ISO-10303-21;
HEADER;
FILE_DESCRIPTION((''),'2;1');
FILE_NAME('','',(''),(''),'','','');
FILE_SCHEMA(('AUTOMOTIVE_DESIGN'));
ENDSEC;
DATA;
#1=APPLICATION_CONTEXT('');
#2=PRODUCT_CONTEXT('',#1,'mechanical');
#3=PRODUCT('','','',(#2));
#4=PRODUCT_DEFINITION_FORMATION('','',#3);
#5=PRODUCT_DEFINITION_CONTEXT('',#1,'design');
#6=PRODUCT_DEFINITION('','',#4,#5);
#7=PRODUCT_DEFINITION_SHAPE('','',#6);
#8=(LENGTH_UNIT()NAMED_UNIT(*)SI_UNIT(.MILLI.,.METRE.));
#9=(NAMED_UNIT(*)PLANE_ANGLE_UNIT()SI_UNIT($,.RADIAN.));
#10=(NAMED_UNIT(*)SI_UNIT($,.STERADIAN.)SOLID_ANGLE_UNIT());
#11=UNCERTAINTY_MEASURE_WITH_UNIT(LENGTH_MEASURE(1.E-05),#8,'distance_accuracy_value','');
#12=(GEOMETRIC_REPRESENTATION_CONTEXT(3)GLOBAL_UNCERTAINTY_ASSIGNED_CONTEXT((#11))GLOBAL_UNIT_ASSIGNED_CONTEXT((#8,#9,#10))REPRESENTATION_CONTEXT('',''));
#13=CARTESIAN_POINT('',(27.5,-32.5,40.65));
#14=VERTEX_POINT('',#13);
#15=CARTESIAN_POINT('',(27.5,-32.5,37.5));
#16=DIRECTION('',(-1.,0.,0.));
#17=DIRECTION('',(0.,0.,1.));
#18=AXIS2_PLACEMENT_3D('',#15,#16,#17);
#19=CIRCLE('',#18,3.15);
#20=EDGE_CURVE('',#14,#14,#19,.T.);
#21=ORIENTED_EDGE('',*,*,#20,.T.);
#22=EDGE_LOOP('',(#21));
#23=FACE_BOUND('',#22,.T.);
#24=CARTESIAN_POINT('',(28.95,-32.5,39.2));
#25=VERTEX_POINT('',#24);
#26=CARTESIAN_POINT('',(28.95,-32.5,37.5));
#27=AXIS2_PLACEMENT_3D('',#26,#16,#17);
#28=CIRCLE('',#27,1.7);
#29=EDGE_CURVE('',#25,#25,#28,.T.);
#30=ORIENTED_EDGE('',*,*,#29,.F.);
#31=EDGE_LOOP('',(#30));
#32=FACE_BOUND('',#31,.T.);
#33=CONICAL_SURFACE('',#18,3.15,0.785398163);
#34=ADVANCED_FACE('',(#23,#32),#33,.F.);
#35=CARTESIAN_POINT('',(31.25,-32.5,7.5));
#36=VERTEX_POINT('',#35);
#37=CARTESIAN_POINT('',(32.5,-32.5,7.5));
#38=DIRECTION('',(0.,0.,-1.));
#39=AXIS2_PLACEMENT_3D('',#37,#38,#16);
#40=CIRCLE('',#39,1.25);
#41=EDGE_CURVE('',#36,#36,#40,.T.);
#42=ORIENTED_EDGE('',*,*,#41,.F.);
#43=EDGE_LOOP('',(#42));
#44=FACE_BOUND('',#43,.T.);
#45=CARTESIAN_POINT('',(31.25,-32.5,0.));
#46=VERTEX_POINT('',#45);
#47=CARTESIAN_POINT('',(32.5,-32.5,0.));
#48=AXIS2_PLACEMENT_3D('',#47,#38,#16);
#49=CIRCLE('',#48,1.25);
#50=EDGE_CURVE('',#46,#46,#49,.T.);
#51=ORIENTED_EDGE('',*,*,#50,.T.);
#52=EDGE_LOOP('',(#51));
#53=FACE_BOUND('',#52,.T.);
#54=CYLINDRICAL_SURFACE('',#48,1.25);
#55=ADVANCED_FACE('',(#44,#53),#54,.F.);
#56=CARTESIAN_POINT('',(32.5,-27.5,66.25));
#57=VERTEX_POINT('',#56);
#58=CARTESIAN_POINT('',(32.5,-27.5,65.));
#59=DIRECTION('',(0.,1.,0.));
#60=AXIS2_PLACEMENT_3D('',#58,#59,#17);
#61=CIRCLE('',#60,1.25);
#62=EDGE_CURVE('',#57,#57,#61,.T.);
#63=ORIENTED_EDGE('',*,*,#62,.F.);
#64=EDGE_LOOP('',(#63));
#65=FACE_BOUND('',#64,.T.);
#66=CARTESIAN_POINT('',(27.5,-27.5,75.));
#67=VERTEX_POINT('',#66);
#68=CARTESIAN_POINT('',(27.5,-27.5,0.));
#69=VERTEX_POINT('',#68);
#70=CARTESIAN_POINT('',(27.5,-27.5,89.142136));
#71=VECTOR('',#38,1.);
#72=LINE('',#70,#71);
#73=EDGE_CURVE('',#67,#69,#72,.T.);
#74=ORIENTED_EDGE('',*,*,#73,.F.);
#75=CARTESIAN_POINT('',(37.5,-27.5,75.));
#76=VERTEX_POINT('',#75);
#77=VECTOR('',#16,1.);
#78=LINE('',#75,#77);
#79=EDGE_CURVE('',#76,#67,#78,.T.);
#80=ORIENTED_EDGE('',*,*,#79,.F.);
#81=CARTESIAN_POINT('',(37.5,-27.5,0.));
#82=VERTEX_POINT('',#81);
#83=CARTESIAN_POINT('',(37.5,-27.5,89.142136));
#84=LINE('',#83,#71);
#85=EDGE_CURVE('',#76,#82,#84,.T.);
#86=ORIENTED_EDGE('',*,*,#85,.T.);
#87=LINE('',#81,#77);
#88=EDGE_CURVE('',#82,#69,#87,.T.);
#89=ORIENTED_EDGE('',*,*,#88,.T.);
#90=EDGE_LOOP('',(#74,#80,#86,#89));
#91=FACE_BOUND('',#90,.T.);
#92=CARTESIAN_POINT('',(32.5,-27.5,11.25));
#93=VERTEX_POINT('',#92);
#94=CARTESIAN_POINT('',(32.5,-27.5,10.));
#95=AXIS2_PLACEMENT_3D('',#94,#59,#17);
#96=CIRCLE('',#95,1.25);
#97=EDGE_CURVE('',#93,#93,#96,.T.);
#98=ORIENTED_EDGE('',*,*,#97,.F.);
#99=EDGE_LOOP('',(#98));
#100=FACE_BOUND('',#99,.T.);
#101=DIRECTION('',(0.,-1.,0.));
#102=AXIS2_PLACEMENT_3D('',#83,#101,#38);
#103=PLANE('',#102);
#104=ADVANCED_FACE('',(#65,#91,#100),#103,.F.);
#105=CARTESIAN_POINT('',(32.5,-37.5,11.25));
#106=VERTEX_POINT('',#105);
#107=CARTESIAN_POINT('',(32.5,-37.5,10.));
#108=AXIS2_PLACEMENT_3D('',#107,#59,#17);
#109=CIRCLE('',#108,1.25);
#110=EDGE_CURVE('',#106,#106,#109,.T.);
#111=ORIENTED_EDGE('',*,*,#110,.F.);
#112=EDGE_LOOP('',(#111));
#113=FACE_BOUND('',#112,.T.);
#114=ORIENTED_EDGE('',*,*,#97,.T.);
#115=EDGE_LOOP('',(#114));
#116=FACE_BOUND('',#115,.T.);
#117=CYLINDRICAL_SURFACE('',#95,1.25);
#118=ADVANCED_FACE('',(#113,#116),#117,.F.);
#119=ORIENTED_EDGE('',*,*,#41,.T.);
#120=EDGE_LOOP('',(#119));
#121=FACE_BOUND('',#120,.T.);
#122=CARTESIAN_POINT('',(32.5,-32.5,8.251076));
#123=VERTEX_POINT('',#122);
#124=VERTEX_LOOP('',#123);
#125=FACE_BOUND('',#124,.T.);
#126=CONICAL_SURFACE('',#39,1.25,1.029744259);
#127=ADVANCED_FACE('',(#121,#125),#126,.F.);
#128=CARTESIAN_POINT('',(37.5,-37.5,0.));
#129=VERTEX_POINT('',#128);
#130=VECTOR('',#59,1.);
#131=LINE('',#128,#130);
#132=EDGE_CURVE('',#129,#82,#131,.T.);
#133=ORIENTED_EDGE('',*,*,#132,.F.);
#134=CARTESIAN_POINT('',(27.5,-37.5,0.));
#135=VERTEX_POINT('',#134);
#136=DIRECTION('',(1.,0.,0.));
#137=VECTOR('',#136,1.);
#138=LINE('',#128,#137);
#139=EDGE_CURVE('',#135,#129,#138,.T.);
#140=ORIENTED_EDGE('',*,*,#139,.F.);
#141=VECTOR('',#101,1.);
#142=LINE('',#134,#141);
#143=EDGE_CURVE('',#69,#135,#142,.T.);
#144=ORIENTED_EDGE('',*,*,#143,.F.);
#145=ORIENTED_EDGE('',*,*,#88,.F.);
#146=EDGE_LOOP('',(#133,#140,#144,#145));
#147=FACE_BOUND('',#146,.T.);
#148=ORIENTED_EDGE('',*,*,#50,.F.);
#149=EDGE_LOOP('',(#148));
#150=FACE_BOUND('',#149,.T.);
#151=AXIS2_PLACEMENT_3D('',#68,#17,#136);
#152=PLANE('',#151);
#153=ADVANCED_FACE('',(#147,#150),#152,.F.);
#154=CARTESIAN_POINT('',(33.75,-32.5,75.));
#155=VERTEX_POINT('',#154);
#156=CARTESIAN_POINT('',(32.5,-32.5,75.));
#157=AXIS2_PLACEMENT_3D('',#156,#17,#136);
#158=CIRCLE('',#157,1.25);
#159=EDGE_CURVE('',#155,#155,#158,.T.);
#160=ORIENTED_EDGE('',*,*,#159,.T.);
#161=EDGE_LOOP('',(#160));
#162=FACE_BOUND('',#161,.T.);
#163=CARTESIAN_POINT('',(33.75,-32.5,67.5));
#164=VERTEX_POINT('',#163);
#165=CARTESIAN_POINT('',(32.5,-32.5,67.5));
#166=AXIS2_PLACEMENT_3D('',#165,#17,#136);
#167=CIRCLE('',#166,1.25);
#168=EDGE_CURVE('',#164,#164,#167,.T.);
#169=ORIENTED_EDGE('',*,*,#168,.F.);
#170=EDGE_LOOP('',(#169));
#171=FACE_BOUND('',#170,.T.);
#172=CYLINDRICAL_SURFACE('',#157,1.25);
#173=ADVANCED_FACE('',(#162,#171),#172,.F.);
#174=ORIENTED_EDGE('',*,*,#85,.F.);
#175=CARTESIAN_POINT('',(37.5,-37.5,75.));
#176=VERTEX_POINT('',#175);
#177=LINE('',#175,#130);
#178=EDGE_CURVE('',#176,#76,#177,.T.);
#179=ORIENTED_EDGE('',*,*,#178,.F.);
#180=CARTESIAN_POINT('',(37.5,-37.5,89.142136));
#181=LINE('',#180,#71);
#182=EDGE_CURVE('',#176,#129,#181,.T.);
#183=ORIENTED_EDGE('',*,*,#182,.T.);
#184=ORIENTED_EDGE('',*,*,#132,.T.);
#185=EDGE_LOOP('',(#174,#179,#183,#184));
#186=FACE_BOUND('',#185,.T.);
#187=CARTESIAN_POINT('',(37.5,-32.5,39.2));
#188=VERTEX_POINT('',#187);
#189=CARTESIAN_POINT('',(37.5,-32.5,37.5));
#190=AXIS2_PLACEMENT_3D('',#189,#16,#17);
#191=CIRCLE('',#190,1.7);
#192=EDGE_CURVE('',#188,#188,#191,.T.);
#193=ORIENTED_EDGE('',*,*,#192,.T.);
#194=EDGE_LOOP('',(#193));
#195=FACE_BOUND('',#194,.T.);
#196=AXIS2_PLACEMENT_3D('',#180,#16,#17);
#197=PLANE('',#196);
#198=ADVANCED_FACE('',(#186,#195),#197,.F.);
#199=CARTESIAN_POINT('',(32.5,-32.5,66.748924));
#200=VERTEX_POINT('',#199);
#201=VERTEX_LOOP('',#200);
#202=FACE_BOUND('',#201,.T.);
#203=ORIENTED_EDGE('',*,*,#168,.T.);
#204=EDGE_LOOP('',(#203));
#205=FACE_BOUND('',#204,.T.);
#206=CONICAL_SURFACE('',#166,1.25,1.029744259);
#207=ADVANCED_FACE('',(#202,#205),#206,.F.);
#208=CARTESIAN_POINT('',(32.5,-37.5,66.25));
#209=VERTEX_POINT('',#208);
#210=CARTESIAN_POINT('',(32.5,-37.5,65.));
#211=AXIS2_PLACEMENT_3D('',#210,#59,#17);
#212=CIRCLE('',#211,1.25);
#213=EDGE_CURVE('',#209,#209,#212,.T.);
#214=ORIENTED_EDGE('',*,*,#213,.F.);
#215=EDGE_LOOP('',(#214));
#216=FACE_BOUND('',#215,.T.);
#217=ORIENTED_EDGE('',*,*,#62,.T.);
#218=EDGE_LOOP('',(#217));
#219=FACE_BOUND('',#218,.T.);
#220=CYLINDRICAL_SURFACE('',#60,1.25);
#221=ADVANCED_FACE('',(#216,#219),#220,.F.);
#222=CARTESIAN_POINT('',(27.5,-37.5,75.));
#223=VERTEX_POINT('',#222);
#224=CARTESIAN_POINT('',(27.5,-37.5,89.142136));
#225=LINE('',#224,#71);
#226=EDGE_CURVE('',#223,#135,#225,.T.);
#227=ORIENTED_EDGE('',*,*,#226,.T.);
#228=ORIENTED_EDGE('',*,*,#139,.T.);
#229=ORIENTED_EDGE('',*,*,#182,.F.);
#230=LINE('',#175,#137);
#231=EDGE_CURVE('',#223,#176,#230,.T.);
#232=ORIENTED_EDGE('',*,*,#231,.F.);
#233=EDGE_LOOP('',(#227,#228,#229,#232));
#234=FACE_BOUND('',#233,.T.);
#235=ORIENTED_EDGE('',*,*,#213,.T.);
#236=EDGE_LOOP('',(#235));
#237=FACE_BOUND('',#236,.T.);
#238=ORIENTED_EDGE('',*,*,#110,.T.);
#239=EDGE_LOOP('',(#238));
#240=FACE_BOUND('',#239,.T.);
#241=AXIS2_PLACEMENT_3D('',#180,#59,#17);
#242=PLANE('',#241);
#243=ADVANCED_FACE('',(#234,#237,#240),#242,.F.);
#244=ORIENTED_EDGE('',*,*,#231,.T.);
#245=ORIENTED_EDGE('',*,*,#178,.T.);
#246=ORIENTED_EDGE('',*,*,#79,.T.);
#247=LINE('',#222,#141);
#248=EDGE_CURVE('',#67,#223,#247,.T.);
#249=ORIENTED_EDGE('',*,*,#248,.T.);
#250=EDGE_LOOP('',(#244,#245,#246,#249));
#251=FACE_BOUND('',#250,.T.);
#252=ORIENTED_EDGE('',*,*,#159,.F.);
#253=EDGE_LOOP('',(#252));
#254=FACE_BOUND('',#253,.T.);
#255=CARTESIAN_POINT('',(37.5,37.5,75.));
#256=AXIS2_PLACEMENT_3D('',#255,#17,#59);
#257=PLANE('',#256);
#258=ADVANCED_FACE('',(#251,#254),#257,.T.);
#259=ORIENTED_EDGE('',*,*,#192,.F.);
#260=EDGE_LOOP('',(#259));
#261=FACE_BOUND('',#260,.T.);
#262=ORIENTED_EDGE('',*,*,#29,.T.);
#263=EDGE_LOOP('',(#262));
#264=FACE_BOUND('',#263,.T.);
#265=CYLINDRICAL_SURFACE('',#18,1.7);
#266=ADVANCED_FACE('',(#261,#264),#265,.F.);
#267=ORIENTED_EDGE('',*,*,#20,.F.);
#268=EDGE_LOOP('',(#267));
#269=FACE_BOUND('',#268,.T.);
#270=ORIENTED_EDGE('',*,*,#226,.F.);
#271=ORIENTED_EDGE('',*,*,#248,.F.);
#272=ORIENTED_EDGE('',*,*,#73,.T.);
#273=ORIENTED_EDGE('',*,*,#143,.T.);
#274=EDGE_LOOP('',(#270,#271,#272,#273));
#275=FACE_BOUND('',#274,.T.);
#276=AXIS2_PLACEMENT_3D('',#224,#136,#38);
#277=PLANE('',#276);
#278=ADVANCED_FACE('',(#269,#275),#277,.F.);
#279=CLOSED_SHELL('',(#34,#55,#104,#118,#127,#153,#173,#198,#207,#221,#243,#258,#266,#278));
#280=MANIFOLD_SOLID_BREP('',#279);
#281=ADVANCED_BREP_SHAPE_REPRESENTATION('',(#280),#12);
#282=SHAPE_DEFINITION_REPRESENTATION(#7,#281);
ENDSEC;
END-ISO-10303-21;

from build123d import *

# Parameters (mm, degrees)
SKETCH1_W                                       = 10
SKETCH1_H                                       = 10
BOSS_EXTRUDE1_DEPTH                             = 75
M3X0_5_TAPPED_HOLE1_D                           = 2.5
M3X0_5_TAPPED_HOLE1_DEPTH                       = 7.5
M3X0_5_TAPPED_HOLE1_TIP                         = 0.751075774
M3X0_5_TAPPED_HOLE2_D                           = 2.5
M3X0_5_TAPPED_HOLE2_DEPTH                       = 7.5
M3X0_5_TAPPED_HOLE2_TIP                         = 0.751075774
CSK_FOR_M3_OVAL_HEAD_MACHINE_SCREW1_D           = 3.4
CSK_FOR_M3_OVAL_HEAD_MACHINE_SCREW1_CSINK_D     = 6.3
CSK_FOR_M3_OVAL_HEAD_MACHINE_SCREW1_CSINK_ANGLE = 90
M3X0_5_TAPPED_HOLE3_D                           = 2.5


with BuildPart() as part:
    # Sketch1 → Boss-Extrude1 (new body)
    with BuildSketch(Plane.XY):
        with Locations((32.5, -32.5)):
            Rectangle(SKETCH1_W, SKETCH1_H)
    extrude(amount=BOSS_EXTRUDE1_DEPTH)

    # M3x0.5 Tapped Hole1
    with Locations(Plane.XY.offset(75)):
        with Locations((32.5, -32.5)):
            Hole(M3X0_5_TAPPED_HOLE1_D / 2, depth=M3X0_5_TAPPED_HOLE1_DEPTH)
            with Locations((0, 0, -(M3X0_5_TAPPED_HOLE1_DEPTH + M3X0_5_TAPPED_HOLE1_TIP / 2))):  # 118° drill point
                Cone(0, M3X0_5_TAPPED_HOLE1_D / 2, M3X0_5_TAPPED_HOLE1_TIP, mode=Mode.SUBTRACT)

    # M3x0.5 Tapped Hole2
    with Locations(Plane(origin=(0, 0, 0), x_dir=(-1, 0, 0), z_dir=(0, 0, -1))):
        with Locations((-32.5, -32.5)):
            Hole(M3X0_5_TAPPED_HOLE2_D / 2, depth=M3X0_5_TAPPED_HOLE2_DEPTH)
            with Locations((0, 0, -(M3X0_5_TAPPED_HOLE2_DEPTH + M3X0_5_TAPPED_HOLE2_TIP / 2))):  # 118° drill point
                Cone(0, M3X0_5_TAPPED_HOLE2_D / 2, M3X0_5_TAPPED_HOLE2_TIP, mode=Mode.SUBTRACT)

    # CSK for M3 Oval Head Machine Screw1 (through all)
    with Locations(Plane(origin=(27.5, -32.5, 37.5), x_dir=(0, 0, -1), z_dir=(-1, 0, 0))):
        with Locations((0, 0)):
            CounterSinkHole(CSK_FOR_M3_OVAL_HEAD_MACHINE_SCREW1_D / 2, CSK_FOR_M3_OVAL_HEAD_MACHINE_SCREW1_CSINK_D / 2, counter_sink_angle=CSK_FOR_M3_OVAL_HEAD_MACHINE_SCREW1_CSINK_ANGLE)

    # M3x0.5 Tapped Hole3 (through all)
    with Locations(Plane(origin=(0, -27.5, 0), x_dir=(-1, 0, 0), z_dir=(0, 1, 0))):
        with Locations((-32.5, 65), (-32.5, 10)):
            Hole(M3X0_5_TAPPED_HOLE3_D / 2)


solid = part.part
